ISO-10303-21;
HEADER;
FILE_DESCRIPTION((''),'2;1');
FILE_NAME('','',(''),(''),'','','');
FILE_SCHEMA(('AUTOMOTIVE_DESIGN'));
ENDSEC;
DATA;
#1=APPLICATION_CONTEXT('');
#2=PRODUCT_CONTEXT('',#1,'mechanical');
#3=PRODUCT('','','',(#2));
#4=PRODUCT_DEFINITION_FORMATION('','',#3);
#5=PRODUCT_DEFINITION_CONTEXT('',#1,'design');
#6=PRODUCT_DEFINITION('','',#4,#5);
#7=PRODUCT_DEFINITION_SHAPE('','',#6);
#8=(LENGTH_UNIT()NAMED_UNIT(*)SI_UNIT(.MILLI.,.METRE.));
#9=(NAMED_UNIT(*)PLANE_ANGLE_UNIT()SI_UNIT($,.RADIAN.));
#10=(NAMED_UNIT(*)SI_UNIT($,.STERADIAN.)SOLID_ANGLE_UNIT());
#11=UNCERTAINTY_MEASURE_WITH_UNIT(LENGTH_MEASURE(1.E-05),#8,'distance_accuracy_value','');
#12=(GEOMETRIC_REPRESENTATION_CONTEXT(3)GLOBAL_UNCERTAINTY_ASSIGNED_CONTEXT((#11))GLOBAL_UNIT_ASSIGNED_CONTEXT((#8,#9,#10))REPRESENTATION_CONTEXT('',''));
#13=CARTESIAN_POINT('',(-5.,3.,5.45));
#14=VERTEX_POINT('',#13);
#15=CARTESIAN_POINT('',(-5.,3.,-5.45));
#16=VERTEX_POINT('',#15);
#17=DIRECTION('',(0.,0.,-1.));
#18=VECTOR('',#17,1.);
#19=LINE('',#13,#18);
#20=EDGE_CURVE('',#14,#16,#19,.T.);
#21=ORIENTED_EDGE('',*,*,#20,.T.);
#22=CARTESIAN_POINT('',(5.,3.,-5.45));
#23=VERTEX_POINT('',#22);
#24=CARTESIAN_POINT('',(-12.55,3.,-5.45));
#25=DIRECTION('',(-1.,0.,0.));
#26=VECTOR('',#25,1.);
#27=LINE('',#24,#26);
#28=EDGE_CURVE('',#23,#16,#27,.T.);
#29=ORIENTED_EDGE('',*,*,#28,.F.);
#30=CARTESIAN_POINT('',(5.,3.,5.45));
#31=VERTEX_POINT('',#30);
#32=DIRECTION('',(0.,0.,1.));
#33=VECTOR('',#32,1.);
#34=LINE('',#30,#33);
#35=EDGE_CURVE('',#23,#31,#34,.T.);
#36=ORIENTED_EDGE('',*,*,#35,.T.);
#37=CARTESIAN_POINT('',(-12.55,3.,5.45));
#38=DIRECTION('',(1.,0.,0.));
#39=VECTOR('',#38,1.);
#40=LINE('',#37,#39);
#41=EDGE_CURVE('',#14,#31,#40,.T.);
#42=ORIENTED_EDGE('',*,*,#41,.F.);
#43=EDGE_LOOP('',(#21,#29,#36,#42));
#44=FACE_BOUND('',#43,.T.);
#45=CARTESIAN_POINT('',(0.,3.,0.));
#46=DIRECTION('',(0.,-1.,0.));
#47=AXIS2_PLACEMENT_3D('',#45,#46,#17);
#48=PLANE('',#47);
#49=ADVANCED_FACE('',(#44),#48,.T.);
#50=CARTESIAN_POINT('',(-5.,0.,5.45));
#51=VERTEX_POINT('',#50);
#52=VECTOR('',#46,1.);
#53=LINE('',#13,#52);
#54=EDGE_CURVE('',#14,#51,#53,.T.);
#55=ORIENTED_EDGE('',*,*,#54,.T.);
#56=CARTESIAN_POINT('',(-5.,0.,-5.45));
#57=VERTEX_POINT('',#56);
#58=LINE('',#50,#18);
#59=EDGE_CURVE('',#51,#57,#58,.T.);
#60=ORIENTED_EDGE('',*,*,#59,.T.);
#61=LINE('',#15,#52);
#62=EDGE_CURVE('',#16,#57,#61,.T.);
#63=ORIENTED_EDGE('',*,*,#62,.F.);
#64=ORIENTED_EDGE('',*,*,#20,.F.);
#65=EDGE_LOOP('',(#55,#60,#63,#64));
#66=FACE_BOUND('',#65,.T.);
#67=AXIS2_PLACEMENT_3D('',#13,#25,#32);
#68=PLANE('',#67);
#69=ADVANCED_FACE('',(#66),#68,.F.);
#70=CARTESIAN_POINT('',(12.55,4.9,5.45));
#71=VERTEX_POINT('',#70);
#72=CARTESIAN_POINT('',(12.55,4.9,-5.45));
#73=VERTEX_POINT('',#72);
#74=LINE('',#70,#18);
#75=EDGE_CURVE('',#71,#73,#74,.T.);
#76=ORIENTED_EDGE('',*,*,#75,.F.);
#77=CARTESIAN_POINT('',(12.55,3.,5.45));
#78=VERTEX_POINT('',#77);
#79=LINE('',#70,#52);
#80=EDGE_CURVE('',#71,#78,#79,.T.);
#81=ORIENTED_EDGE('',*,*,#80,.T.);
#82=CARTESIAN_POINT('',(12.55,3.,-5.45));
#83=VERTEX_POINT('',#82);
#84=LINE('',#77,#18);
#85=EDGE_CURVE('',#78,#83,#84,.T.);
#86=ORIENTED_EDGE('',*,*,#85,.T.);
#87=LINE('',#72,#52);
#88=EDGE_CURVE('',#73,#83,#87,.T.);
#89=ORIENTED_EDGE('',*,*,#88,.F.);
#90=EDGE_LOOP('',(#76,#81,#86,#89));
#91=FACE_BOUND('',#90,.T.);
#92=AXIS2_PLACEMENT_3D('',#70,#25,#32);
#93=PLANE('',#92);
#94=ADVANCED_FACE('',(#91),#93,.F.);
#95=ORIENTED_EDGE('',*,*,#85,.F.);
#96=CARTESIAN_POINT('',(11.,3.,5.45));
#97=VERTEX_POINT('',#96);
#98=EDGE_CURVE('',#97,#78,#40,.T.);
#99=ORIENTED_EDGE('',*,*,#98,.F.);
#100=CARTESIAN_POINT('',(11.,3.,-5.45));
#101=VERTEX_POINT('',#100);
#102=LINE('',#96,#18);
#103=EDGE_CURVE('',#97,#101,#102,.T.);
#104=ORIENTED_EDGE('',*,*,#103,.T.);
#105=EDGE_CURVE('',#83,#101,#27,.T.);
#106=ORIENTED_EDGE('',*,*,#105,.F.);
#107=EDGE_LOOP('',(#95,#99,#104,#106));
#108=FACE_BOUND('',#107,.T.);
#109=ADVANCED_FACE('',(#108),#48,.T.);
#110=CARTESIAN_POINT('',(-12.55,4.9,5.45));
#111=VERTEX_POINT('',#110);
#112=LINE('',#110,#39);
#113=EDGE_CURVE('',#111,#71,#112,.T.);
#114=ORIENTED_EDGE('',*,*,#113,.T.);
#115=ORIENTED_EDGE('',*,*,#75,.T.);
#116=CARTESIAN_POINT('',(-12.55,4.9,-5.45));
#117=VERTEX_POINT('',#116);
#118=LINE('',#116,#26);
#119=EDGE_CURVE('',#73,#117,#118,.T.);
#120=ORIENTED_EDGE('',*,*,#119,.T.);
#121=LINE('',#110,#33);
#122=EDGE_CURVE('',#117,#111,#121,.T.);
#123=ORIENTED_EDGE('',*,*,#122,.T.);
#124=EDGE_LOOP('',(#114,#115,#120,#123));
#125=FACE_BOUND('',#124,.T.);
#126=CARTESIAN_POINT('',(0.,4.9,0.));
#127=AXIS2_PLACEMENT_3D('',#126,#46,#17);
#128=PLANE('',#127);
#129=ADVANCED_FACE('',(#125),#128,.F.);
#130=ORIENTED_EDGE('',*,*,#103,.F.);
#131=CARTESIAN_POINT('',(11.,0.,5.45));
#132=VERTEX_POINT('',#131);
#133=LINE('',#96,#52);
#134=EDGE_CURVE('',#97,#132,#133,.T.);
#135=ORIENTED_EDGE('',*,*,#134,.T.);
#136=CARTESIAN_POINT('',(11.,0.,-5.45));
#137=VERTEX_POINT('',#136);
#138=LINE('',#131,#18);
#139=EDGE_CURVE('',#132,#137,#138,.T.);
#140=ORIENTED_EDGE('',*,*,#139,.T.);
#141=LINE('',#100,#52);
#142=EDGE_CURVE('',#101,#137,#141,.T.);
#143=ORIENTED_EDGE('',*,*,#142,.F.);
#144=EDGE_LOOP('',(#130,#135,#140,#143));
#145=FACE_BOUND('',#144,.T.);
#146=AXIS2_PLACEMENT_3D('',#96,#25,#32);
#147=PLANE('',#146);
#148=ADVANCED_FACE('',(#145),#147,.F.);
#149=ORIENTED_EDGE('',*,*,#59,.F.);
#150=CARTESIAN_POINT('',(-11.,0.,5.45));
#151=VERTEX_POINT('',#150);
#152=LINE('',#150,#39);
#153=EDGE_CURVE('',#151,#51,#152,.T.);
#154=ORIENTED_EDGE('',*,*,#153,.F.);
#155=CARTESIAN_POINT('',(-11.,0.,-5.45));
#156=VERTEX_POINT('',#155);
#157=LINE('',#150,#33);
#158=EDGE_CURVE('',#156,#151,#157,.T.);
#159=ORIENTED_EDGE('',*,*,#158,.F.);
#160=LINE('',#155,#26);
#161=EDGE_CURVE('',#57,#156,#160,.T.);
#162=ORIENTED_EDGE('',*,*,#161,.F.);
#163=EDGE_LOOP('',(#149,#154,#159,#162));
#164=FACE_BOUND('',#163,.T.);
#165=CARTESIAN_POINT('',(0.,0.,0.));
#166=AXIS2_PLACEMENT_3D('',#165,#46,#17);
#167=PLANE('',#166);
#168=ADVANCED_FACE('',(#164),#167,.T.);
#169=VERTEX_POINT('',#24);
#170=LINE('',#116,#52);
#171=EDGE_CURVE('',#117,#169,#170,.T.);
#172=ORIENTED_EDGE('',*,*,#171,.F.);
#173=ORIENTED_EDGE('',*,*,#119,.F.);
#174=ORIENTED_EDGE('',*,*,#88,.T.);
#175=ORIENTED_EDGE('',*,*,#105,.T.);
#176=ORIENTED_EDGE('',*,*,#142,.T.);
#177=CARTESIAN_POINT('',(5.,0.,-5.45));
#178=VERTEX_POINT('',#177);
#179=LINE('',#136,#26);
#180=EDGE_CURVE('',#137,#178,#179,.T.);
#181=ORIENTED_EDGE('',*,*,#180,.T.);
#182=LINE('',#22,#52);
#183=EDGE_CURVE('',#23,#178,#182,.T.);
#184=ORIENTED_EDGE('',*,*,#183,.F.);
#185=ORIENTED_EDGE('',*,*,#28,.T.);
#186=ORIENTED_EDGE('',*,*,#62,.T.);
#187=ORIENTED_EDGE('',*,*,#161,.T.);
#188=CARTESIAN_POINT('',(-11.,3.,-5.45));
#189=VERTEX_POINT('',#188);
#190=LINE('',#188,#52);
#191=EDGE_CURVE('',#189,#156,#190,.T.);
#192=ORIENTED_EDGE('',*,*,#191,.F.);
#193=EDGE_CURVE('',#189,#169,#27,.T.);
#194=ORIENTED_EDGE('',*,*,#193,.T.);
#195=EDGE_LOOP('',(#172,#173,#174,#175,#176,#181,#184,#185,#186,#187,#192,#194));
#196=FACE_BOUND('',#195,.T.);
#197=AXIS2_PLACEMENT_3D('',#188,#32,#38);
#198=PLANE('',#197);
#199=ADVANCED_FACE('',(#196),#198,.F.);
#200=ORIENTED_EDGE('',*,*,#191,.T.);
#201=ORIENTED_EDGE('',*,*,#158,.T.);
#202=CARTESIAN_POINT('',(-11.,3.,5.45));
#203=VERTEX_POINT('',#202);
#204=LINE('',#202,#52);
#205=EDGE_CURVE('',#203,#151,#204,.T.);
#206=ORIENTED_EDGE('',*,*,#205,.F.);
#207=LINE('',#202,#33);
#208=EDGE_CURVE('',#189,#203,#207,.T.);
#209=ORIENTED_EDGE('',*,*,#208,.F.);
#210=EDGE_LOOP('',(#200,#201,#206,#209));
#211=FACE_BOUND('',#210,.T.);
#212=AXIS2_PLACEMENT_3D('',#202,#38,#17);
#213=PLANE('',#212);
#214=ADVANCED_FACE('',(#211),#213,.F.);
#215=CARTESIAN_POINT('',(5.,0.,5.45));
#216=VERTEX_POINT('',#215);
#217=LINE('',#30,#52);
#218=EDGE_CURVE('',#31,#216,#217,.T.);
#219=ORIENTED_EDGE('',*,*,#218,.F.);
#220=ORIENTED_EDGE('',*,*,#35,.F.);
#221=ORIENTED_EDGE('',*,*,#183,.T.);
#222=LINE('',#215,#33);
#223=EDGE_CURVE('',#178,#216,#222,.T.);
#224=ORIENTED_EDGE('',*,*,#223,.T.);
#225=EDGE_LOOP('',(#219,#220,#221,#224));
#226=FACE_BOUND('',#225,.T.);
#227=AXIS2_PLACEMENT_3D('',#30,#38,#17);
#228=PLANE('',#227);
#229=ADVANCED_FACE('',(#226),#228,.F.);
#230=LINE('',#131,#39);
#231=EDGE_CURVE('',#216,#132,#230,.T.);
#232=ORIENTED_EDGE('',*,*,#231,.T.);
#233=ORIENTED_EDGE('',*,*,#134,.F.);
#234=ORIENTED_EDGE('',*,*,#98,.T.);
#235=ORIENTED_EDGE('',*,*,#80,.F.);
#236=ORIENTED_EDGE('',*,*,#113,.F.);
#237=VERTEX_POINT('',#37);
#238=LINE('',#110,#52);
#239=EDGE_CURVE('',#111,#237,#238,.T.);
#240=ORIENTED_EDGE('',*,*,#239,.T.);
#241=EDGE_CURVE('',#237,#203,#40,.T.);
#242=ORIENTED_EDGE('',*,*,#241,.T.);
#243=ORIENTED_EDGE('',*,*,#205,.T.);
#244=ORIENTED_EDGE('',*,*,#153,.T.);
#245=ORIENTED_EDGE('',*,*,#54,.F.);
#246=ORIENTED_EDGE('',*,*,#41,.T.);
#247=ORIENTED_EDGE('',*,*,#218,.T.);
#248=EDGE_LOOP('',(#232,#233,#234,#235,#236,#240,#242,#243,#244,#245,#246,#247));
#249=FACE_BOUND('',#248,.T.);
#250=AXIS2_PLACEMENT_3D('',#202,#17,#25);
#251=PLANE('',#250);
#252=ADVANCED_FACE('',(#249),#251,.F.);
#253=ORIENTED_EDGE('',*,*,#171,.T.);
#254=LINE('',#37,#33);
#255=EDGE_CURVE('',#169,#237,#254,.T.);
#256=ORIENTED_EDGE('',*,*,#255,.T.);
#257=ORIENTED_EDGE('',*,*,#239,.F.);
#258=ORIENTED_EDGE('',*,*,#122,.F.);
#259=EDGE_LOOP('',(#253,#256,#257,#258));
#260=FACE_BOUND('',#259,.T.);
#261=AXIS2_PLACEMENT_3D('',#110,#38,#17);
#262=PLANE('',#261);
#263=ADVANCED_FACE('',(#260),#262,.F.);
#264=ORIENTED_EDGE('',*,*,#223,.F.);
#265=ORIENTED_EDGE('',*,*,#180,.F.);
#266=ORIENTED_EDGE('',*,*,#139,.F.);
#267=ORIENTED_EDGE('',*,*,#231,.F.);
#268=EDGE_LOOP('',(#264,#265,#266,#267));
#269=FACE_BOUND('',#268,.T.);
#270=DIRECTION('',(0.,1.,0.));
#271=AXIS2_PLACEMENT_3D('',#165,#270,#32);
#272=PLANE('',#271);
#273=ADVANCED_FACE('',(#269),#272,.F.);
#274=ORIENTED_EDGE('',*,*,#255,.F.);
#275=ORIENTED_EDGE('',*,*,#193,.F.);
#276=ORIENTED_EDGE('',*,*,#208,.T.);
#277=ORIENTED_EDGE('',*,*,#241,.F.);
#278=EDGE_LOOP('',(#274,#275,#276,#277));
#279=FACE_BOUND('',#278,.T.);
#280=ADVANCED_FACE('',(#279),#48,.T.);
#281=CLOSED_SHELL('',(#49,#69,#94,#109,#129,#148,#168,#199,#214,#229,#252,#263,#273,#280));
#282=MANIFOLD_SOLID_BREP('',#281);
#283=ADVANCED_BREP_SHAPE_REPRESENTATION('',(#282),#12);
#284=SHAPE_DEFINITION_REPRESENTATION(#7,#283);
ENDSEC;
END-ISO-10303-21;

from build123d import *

# Parameters (mm, degrees)
SKETCH1_W             = 6
SKETCH1_H             = 10.9
BOSS_EXTRUDE1_DEPTH   = 3
BOSS_EXTRUDE1_2_DEPTH = 3
SKETCH2_W             = 25.1
SKETCH2_H             = 10.9
BOSS_EXTRUDE2_DEPTH   = 1.9


with BuildPart() as part:
    # Sketch1 → Boss-Extrude1 (new body)
    with BuildSketch(Plane(origin=(0, 0, 0), x_dir=(1, 0, 0), z_dir=(0, 1, 0))):
        with Locations((-8, 0)):
            Rectangle(SKETCH1_W, SKETCH1_H)
    extrude(amount=BOSS_EXTRUDE1_DEPTH)



with BuildPart() as body_2:
    # Sketch1 → Boss-Extrude1 2 (new body)
    with BuildSketch(Plane(origin=(0, 0, 0), x_dir=(1, 0, 0), z_dir=(0, 1, 0))):
        with Locations((8, 0)):
            Rectangle(SKETCH1_W, SKETCH1_H)
    extrude(amount=BOSS_EXTRUDE1_2_DEPTH)


with BuildPart() as part_1:
    add(part.part)

    add(body_2.part)  # Boss-Extrude2 merges body 2
    # Sketch2 → Boss-Extrude2 (add)
    with BuildSketch(Plane(origin=(0, 3, 0), x_dir=(1, 0, 0), z_dir=(0, 1, 0))):
        Rectangle(SKETCH2_W, SKETCH2_H)
    extrude(amount=BOSS_EXTRUDE2_DEPTH)


solid = part_1.part
